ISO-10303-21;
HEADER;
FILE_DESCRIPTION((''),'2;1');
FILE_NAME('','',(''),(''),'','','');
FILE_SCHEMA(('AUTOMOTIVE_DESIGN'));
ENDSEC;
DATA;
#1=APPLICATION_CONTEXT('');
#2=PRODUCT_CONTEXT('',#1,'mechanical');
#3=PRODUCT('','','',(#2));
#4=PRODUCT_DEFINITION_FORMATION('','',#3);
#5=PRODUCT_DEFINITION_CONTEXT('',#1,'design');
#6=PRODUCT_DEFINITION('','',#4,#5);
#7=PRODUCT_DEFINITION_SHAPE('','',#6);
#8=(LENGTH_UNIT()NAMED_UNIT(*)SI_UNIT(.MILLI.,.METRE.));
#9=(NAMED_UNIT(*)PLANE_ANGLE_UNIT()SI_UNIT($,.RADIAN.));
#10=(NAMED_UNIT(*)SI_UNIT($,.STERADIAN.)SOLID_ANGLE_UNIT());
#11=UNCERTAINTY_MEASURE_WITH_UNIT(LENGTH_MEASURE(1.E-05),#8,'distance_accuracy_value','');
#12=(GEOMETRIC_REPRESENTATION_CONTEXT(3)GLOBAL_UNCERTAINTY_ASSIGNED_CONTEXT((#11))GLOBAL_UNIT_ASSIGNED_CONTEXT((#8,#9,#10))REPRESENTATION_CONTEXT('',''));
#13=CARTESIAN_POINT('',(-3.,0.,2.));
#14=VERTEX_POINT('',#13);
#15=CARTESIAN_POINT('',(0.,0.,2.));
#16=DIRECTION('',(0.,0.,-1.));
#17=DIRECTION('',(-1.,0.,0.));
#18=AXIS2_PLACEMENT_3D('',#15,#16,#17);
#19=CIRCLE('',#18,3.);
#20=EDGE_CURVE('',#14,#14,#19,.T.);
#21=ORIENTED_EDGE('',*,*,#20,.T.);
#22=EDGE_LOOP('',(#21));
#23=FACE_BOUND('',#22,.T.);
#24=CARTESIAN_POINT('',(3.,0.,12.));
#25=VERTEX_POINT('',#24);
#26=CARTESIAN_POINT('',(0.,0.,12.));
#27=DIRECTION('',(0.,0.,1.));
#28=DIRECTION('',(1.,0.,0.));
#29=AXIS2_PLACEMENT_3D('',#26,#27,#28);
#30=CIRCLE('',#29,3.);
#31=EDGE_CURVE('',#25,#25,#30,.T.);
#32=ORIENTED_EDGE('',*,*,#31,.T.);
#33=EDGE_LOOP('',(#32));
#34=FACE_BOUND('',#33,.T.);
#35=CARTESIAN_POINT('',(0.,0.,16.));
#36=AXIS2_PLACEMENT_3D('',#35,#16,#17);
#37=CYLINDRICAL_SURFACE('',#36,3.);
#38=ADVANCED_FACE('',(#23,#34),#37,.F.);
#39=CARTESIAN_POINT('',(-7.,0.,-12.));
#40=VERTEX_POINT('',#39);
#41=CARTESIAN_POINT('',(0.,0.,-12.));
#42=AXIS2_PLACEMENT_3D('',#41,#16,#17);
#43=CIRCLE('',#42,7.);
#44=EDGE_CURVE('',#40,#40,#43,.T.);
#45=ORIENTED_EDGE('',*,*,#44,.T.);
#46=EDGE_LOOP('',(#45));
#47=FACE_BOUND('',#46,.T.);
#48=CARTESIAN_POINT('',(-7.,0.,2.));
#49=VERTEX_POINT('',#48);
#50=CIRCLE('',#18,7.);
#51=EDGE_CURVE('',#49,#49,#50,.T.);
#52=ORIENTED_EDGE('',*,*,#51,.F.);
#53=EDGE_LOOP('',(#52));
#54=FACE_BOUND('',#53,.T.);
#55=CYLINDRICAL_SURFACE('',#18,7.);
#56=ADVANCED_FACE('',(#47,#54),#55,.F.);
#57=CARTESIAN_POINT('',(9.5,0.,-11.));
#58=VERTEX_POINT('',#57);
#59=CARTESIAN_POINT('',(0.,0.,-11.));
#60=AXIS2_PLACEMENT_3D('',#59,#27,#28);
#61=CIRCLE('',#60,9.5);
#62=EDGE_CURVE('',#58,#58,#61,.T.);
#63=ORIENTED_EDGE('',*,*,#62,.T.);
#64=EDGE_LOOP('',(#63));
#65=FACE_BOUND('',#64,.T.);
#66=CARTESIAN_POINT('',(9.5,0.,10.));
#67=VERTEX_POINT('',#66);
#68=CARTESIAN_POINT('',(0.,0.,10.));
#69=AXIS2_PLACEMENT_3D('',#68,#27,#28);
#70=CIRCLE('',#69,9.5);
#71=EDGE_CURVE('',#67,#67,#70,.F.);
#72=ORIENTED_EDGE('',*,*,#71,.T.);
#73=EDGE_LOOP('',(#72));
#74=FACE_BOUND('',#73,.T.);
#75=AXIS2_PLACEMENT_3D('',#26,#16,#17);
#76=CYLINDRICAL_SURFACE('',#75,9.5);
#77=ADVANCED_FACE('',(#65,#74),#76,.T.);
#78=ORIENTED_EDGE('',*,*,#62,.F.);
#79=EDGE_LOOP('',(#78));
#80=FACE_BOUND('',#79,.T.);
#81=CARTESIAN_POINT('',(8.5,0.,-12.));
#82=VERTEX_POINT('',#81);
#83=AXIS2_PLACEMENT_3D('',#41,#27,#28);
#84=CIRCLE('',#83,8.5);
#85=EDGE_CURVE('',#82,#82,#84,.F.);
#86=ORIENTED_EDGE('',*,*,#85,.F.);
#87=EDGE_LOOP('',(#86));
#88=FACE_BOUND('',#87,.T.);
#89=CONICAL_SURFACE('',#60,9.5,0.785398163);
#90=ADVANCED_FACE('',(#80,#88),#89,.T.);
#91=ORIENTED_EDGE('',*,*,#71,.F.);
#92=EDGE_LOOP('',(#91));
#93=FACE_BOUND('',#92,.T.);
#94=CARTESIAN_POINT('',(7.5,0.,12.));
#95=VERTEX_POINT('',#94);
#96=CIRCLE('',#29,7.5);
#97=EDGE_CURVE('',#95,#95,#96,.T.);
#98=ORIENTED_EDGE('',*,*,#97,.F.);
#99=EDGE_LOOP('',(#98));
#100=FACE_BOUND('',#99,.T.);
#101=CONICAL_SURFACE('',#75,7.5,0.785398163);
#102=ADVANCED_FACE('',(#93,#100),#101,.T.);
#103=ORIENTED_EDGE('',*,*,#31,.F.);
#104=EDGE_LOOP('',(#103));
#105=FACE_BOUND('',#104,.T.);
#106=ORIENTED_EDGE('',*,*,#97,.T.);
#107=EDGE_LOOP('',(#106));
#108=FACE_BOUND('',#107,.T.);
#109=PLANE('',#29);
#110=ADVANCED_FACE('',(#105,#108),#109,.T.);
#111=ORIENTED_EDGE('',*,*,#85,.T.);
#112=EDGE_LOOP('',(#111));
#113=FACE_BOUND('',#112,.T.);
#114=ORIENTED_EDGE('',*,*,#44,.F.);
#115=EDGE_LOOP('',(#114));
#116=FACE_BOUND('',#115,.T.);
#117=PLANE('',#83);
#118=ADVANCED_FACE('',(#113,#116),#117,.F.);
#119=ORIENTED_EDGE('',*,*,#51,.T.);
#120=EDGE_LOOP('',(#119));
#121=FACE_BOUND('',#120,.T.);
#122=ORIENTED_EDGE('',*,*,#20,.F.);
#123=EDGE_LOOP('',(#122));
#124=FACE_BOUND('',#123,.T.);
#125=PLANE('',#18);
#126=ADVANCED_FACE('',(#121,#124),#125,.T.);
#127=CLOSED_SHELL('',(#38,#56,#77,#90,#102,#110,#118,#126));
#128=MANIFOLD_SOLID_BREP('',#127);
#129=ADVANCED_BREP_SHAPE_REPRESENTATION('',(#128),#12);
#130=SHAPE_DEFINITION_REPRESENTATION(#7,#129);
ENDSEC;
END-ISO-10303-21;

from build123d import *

# Parameters (mm, degrees)
SKETCH1_R           = 9.5
BOSS_EXTRUDE1_DEPTH = 12
CHAMFER1_SIZE       = 2
CHAMFER2_SIZE       = 1
SKETCH2_R           = 7
CUT_EXTRUDE1_DEPTH  = 14
SKETCH3_R           = 3
CUT_EXTRUDE2_DEPTH  = 14


with BuildPart() as part:
    # Sketch1 → Boss-Extrude1 (new, symmetric)
    with BuildSketch(Plane.XY):
        Circle(SKETCH1_R)
    extrude(amount=BOSS_EXTRUDE1_DEPTH, both=True)

    # Chamfer1
    chamfer1_edges = [part.edges().sort_by_distance(p)[0] for p in [
        (-9.5, 0, 12),
    ]]
    chamfer(chamfer1_edges, length=CHAMFER1_SIZE)

    # Chamfer2
    chamfer2_edges = [part.edges().sort_by_distance(p)[0] for p in [
        (-9.5, 0, -12),
    ]]
    chamfer(chamfer2_edges, length=CHAMFER2_SIZE)

    # Sketch2 → Cut-Extrude1 (cut)
    with BuildSketch(Plane(origin=(0, 0, -12), x_dir=(-1, 0, 0), z_dir=(0, 0, -1))):
        Circle(SKETCH2_R)
    extrude(amount=-CUT_EXTRUDE1_DEPTH, mode=Mode.SUBTRACT)

    # Sketch3 → Cut-Extrude2 (cut)
    with BuildSketch(Plane(origin=(0, 0, 2), x_dir=(-1, 0, 0), z_dir=(0, 0, -1))):
        Circle(SKETCH3_R)
    extrude(amount=-CUT_EXTRUDE2_DEPTH, mode=Mode.SUBTRACT)


solid = part.part
